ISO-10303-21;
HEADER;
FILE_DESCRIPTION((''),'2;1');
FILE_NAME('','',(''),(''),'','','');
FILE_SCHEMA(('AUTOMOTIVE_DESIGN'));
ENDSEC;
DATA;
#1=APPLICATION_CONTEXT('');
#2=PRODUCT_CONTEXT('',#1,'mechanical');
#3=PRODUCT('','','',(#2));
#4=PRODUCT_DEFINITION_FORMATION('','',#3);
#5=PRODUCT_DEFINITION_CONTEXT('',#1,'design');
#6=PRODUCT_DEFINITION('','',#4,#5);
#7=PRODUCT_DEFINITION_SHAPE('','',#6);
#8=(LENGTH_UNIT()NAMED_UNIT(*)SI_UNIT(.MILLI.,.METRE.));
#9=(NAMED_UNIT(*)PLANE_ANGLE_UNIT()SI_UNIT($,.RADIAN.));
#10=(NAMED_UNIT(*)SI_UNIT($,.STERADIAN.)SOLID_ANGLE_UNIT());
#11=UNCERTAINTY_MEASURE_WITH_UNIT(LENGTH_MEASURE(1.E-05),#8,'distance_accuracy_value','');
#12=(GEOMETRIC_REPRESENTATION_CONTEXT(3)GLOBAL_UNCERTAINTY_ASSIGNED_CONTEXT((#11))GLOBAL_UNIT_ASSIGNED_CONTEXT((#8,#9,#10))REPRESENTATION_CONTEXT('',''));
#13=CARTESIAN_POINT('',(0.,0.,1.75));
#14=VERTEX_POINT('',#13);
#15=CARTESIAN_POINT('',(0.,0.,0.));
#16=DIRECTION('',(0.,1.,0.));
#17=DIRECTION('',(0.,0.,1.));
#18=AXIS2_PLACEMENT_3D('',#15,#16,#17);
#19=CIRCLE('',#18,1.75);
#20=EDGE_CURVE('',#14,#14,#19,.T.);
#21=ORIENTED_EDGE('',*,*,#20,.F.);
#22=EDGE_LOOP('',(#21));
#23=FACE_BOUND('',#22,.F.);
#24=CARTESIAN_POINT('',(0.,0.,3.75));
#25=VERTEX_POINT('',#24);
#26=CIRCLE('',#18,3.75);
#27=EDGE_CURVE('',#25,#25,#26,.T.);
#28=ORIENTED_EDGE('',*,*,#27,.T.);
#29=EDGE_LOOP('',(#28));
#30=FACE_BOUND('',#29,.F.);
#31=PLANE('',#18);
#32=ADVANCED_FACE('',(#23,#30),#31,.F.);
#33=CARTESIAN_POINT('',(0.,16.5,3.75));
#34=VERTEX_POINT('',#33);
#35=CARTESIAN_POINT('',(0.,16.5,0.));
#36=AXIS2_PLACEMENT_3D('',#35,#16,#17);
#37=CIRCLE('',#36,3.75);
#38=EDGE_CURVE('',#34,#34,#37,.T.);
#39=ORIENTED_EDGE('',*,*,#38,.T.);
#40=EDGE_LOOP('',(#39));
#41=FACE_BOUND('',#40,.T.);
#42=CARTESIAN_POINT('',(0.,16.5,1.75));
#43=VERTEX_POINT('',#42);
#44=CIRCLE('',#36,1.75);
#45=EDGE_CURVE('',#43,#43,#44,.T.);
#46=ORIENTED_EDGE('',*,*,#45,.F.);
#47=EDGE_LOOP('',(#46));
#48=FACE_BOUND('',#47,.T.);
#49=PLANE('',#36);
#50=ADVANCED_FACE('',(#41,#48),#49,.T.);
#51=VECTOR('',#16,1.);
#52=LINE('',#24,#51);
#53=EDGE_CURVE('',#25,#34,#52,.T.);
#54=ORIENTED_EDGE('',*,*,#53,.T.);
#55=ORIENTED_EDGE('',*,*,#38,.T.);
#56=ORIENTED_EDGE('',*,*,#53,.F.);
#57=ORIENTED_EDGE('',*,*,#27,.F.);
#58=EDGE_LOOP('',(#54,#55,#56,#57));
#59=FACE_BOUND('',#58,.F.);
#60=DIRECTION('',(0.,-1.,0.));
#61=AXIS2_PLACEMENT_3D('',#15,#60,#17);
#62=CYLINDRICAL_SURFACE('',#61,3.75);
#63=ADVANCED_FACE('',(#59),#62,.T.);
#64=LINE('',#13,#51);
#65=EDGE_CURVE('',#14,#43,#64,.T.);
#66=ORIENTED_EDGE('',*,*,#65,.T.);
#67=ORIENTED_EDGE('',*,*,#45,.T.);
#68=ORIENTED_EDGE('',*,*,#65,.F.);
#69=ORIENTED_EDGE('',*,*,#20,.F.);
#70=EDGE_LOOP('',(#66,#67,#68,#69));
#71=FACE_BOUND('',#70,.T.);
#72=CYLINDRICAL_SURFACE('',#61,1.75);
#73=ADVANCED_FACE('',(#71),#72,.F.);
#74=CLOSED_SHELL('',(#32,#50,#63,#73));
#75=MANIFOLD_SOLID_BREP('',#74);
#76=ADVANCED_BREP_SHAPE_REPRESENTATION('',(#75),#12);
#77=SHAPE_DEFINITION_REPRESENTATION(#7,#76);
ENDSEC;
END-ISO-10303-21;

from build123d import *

# Parameters (mm, degrees)
SKETCH_2_R      = 3.75
SKETCH_2_R_2    = 1.75
EXTRUDE_1_DEPTH = 16.5


with BuildPart() as part:
    # 草图2 → 凸台-拉伸1 (new body)
    with BuildSketch(Plane(origin=(0, 0, 0), x_dir=(1, 0, 0), z_dir=(0, 1, 0))):
        with Locations(Location((0, 0, 0), (0, 0, 270))):
            Circle(SKETCH_2_R)
        with Locations(Location((0, 0, 0), (0, 0, 270))):
            Circle(SKETCH_2_R_2, mode=Mode.SUBTRACT)
    extrude(amount=EXTRUDE_1_DEPTH)


solid = part.part
